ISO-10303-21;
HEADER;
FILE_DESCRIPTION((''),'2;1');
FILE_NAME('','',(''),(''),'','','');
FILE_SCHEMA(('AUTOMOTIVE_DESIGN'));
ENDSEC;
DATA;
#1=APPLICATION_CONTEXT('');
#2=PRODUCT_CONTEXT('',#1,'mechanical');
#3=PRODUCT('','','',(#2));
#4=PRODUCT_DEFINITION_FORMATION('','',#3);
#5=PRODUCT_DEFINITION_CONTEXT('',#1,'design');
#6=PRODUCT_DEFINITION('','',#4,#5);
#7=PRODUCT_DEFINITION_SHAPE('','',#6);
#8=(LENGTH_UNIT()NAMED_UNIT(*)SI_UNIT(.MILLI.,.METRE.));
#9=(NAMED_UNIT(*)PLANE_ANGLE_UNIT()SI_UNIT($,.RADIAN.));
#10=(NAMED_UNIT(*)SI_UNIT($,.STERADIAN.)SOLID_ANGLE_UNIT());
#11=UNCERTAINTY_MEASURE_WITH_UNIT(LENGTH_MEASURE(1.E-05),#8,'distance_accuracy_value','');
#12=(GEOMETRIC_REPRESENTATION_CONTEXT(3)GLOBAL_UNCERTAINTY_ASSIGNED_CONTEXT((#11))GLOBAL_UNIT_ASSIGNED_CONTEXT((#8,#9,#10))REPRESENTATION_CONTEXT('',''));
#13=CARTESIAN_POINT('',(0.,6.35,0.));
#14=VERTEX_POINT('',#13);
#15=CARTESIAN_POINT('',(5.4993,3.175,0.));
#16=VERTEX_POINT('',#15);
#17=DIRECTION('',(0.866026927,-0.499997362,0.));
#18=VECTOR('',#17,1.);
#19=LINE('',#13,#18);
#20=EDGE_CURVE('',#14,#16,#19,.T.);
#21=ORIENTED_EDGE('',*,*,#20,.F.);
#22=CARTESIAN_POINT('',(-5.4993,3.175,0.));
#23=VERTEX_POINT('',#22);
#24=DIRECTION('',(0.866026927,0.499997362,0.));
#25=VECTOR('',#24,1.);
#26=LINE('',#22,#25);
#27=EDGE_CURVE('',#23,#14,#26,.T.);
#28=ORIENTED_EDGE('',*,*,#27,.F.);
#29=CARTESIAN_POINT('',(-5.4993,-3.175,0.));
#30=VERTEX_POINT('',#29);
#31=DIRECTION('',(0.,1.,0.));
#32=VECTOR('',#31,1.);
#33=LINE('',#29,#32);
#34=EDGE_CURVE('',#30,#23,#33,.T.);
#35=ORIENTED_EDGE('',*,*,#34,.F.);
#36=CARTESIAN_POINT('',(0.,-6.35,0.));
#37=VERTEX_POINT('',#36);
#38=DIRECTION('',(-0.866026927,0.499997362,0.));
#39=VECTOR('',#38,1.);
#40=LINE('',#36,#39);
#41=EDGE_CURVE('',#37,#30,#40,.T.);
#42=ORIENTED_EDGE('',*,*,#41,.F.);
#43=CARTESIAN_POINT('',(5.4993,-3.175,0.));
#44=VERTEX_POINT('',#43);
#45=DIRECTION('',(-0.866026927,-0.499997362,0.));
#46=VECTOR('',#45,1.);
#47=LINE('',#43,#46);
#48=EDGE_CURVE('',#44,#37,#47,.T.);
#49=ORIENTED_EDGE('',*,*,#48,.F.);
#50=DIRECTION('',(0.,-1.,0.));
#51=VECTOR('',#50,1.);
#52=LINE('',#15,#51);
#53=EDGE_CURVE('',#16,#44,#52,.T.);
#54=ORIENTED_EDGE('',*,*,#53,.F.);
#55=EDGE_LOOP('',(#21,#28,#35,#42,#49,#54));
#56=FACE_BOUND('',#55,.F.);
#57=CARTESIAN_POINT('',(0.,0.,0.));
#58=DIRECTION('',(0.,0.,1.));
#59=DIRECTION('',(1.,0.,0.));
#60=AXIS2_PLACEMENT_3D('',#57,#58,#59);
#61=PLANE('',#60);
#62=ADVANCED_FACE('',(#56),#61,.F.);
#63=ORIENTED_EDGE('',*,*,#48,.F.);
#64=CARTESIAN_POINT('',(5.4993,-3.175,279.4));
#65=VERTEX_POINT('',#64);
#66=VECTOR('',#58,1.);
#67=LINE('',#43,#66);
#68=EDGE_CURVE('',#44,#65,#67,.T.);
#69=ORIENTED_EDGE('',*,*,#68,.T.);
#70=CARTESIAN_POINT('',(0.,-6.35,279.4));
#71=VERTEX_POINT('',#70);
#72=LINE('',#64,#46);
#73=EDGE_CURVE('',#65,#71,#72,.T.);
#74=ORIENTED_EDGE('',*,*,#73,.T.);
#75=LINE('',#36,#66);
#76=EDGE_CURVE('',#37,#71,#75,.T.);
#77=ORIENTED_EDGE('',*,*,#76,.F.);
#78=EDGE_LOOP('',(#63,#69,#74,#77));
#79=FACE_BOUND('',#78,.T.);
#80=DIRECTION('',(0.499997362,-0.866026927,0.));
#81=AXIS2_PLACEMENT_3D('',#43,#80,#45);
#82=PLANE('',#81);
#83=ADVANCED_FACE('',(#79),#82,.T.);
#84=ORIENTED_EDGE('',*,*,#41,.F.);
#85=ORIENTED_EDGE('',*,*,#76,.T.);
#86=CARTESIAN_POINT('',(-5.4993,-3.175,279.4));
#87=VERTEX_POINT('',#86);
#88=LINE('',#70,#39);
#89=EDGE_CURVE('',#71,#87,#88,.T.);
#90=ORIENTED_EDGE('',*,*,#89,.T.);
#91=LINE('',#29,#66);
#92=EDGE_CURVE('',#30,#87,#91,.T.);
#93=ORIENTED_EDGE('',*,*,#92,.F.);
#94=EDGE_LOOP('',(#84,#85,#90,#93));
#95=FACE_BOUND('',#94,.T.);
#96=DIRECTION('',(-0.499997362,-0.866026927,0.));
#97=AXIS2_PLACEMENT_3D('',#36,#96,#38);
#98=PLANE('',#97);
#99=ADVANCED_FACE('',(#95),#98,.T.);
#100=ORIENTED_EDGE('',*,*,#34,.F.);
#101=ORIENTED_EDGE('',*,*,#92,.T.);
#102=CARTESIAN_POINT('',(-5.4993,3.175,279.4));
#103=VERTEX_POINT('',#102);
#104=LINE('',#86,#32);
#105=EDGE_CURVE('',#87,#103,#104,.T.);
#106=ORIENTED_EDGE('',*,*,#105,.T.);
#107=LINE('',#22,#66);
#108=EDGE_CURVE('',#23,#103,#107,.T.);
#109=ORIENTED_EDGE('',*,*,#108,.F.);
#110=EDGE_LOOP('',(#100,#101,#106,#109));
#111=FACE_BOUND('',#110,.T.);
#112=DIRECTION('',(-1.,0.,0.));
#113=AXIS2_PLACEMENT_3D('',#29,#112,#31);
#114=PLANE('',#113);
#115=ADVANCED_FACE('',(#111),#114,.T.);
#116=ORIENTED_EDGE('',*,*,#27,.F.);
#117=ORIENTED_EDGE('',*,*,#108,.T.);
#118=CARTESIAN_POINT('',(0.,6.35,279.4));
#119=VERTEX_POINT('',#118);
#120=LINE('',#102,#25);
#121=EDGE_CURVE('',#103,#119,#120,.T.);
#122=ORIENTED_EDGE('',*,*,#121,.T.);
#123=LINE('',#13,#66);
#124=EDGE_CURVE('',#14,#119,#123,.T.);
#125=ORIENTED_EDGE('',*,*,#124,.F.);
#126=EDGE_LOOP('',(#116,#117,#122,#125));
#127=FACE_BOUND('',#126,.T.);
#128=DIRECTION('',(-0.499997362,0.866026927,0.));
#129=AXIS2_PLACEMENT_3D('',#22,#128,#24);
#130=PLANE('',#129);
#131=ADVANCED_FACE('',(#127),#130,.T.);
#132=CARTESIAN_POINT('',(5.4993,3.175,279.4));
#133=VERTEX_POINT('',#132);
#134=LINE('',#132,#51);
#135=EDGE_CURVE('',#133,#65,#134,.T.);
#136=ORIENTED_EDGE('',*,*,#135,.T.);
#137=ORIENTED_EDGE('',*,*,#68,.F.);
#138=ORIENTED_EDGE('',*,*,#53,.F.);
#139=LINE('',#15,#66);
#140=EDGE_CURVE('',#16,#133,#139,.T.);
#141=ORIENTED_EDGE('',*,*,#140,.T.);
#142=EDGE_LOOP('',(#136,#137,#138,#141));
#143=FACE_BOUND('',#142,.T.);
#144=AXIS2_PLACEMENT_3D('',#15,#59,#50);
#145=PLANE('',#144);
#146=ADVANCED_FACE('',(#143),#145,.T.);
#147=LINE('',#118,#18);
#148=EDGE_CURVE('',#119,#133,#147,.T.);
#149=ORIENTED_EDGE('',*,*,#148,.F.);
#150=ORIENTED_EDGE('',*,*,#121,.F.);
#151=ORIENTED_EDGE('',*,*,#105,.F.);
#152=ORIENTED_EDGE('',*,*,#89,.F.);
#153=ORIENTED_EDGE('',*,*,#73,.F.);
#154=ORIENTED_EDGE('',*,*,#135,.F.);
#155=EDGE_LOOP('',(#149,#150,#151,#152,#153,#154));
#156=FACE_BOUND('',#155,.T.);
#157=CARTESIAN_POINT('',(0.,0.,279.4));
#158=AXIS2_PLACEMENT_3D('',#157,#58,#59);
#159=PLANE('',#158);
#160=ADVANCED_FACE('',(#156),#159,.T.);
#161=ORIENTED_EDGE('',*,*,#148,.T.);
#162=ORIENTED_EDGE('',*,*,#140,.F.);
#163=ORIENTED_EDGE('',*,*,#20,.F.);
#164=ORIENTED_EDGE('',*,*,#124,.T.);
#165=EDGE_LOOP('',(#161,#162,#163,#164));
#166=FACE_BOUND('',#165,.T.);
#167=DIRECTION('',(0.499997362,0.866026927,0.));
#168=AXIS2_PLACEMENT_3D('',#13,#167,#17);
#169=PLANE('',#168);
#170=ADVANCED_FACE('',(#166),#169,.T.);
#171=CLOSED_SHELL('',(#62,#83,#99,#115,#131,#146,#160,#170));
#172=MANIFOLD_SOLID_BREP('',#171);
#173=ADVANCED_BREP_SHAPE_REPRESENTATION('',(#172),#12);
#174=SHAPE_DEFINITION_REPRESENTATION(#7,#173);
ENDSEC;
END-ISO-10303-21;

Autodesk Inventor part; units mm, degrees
ref_plane "YZ Plane" through (0, 0, 0) normal (1, 0, 0) x (0, 1, 0)
ref_plane "XZ Plane" through (0, 0, 0) normal (0, 1, 0) x (-1, 0, 0)
ref_plane "XY Plane" through (0, 0, 0) normal (0, 0, 1) x (1, 0, 0)
sketch "Sketch1" plane through (0, 0, 0) normal (0, 0, 1) x (1, 0, 0)
  line L0 (0, -6.35) -> (-5.4993, -3.175)
  line L1 (-5.4993, -3.175) -> (-5.4993, 3.175)
  line L2 (-5.4993, 3.175) -> (0, 6.35)
  line L3 (0, 6.35) -> (5.4993, 3.175)
  line L4 (5.4993, 3.175) -> (5.4993, -3.175)
  line L5 (5.4993, -3.175) -> (0, -6.35)
  point P0 (0, 0)
  point P1 (0, 0)
  dimension "d0" = 12.7
extrude "Extrusion1" add sketch "Sketch1" along normal blind 279.4
properties part number "Hex Shaft" material "Aluminum 6061"
